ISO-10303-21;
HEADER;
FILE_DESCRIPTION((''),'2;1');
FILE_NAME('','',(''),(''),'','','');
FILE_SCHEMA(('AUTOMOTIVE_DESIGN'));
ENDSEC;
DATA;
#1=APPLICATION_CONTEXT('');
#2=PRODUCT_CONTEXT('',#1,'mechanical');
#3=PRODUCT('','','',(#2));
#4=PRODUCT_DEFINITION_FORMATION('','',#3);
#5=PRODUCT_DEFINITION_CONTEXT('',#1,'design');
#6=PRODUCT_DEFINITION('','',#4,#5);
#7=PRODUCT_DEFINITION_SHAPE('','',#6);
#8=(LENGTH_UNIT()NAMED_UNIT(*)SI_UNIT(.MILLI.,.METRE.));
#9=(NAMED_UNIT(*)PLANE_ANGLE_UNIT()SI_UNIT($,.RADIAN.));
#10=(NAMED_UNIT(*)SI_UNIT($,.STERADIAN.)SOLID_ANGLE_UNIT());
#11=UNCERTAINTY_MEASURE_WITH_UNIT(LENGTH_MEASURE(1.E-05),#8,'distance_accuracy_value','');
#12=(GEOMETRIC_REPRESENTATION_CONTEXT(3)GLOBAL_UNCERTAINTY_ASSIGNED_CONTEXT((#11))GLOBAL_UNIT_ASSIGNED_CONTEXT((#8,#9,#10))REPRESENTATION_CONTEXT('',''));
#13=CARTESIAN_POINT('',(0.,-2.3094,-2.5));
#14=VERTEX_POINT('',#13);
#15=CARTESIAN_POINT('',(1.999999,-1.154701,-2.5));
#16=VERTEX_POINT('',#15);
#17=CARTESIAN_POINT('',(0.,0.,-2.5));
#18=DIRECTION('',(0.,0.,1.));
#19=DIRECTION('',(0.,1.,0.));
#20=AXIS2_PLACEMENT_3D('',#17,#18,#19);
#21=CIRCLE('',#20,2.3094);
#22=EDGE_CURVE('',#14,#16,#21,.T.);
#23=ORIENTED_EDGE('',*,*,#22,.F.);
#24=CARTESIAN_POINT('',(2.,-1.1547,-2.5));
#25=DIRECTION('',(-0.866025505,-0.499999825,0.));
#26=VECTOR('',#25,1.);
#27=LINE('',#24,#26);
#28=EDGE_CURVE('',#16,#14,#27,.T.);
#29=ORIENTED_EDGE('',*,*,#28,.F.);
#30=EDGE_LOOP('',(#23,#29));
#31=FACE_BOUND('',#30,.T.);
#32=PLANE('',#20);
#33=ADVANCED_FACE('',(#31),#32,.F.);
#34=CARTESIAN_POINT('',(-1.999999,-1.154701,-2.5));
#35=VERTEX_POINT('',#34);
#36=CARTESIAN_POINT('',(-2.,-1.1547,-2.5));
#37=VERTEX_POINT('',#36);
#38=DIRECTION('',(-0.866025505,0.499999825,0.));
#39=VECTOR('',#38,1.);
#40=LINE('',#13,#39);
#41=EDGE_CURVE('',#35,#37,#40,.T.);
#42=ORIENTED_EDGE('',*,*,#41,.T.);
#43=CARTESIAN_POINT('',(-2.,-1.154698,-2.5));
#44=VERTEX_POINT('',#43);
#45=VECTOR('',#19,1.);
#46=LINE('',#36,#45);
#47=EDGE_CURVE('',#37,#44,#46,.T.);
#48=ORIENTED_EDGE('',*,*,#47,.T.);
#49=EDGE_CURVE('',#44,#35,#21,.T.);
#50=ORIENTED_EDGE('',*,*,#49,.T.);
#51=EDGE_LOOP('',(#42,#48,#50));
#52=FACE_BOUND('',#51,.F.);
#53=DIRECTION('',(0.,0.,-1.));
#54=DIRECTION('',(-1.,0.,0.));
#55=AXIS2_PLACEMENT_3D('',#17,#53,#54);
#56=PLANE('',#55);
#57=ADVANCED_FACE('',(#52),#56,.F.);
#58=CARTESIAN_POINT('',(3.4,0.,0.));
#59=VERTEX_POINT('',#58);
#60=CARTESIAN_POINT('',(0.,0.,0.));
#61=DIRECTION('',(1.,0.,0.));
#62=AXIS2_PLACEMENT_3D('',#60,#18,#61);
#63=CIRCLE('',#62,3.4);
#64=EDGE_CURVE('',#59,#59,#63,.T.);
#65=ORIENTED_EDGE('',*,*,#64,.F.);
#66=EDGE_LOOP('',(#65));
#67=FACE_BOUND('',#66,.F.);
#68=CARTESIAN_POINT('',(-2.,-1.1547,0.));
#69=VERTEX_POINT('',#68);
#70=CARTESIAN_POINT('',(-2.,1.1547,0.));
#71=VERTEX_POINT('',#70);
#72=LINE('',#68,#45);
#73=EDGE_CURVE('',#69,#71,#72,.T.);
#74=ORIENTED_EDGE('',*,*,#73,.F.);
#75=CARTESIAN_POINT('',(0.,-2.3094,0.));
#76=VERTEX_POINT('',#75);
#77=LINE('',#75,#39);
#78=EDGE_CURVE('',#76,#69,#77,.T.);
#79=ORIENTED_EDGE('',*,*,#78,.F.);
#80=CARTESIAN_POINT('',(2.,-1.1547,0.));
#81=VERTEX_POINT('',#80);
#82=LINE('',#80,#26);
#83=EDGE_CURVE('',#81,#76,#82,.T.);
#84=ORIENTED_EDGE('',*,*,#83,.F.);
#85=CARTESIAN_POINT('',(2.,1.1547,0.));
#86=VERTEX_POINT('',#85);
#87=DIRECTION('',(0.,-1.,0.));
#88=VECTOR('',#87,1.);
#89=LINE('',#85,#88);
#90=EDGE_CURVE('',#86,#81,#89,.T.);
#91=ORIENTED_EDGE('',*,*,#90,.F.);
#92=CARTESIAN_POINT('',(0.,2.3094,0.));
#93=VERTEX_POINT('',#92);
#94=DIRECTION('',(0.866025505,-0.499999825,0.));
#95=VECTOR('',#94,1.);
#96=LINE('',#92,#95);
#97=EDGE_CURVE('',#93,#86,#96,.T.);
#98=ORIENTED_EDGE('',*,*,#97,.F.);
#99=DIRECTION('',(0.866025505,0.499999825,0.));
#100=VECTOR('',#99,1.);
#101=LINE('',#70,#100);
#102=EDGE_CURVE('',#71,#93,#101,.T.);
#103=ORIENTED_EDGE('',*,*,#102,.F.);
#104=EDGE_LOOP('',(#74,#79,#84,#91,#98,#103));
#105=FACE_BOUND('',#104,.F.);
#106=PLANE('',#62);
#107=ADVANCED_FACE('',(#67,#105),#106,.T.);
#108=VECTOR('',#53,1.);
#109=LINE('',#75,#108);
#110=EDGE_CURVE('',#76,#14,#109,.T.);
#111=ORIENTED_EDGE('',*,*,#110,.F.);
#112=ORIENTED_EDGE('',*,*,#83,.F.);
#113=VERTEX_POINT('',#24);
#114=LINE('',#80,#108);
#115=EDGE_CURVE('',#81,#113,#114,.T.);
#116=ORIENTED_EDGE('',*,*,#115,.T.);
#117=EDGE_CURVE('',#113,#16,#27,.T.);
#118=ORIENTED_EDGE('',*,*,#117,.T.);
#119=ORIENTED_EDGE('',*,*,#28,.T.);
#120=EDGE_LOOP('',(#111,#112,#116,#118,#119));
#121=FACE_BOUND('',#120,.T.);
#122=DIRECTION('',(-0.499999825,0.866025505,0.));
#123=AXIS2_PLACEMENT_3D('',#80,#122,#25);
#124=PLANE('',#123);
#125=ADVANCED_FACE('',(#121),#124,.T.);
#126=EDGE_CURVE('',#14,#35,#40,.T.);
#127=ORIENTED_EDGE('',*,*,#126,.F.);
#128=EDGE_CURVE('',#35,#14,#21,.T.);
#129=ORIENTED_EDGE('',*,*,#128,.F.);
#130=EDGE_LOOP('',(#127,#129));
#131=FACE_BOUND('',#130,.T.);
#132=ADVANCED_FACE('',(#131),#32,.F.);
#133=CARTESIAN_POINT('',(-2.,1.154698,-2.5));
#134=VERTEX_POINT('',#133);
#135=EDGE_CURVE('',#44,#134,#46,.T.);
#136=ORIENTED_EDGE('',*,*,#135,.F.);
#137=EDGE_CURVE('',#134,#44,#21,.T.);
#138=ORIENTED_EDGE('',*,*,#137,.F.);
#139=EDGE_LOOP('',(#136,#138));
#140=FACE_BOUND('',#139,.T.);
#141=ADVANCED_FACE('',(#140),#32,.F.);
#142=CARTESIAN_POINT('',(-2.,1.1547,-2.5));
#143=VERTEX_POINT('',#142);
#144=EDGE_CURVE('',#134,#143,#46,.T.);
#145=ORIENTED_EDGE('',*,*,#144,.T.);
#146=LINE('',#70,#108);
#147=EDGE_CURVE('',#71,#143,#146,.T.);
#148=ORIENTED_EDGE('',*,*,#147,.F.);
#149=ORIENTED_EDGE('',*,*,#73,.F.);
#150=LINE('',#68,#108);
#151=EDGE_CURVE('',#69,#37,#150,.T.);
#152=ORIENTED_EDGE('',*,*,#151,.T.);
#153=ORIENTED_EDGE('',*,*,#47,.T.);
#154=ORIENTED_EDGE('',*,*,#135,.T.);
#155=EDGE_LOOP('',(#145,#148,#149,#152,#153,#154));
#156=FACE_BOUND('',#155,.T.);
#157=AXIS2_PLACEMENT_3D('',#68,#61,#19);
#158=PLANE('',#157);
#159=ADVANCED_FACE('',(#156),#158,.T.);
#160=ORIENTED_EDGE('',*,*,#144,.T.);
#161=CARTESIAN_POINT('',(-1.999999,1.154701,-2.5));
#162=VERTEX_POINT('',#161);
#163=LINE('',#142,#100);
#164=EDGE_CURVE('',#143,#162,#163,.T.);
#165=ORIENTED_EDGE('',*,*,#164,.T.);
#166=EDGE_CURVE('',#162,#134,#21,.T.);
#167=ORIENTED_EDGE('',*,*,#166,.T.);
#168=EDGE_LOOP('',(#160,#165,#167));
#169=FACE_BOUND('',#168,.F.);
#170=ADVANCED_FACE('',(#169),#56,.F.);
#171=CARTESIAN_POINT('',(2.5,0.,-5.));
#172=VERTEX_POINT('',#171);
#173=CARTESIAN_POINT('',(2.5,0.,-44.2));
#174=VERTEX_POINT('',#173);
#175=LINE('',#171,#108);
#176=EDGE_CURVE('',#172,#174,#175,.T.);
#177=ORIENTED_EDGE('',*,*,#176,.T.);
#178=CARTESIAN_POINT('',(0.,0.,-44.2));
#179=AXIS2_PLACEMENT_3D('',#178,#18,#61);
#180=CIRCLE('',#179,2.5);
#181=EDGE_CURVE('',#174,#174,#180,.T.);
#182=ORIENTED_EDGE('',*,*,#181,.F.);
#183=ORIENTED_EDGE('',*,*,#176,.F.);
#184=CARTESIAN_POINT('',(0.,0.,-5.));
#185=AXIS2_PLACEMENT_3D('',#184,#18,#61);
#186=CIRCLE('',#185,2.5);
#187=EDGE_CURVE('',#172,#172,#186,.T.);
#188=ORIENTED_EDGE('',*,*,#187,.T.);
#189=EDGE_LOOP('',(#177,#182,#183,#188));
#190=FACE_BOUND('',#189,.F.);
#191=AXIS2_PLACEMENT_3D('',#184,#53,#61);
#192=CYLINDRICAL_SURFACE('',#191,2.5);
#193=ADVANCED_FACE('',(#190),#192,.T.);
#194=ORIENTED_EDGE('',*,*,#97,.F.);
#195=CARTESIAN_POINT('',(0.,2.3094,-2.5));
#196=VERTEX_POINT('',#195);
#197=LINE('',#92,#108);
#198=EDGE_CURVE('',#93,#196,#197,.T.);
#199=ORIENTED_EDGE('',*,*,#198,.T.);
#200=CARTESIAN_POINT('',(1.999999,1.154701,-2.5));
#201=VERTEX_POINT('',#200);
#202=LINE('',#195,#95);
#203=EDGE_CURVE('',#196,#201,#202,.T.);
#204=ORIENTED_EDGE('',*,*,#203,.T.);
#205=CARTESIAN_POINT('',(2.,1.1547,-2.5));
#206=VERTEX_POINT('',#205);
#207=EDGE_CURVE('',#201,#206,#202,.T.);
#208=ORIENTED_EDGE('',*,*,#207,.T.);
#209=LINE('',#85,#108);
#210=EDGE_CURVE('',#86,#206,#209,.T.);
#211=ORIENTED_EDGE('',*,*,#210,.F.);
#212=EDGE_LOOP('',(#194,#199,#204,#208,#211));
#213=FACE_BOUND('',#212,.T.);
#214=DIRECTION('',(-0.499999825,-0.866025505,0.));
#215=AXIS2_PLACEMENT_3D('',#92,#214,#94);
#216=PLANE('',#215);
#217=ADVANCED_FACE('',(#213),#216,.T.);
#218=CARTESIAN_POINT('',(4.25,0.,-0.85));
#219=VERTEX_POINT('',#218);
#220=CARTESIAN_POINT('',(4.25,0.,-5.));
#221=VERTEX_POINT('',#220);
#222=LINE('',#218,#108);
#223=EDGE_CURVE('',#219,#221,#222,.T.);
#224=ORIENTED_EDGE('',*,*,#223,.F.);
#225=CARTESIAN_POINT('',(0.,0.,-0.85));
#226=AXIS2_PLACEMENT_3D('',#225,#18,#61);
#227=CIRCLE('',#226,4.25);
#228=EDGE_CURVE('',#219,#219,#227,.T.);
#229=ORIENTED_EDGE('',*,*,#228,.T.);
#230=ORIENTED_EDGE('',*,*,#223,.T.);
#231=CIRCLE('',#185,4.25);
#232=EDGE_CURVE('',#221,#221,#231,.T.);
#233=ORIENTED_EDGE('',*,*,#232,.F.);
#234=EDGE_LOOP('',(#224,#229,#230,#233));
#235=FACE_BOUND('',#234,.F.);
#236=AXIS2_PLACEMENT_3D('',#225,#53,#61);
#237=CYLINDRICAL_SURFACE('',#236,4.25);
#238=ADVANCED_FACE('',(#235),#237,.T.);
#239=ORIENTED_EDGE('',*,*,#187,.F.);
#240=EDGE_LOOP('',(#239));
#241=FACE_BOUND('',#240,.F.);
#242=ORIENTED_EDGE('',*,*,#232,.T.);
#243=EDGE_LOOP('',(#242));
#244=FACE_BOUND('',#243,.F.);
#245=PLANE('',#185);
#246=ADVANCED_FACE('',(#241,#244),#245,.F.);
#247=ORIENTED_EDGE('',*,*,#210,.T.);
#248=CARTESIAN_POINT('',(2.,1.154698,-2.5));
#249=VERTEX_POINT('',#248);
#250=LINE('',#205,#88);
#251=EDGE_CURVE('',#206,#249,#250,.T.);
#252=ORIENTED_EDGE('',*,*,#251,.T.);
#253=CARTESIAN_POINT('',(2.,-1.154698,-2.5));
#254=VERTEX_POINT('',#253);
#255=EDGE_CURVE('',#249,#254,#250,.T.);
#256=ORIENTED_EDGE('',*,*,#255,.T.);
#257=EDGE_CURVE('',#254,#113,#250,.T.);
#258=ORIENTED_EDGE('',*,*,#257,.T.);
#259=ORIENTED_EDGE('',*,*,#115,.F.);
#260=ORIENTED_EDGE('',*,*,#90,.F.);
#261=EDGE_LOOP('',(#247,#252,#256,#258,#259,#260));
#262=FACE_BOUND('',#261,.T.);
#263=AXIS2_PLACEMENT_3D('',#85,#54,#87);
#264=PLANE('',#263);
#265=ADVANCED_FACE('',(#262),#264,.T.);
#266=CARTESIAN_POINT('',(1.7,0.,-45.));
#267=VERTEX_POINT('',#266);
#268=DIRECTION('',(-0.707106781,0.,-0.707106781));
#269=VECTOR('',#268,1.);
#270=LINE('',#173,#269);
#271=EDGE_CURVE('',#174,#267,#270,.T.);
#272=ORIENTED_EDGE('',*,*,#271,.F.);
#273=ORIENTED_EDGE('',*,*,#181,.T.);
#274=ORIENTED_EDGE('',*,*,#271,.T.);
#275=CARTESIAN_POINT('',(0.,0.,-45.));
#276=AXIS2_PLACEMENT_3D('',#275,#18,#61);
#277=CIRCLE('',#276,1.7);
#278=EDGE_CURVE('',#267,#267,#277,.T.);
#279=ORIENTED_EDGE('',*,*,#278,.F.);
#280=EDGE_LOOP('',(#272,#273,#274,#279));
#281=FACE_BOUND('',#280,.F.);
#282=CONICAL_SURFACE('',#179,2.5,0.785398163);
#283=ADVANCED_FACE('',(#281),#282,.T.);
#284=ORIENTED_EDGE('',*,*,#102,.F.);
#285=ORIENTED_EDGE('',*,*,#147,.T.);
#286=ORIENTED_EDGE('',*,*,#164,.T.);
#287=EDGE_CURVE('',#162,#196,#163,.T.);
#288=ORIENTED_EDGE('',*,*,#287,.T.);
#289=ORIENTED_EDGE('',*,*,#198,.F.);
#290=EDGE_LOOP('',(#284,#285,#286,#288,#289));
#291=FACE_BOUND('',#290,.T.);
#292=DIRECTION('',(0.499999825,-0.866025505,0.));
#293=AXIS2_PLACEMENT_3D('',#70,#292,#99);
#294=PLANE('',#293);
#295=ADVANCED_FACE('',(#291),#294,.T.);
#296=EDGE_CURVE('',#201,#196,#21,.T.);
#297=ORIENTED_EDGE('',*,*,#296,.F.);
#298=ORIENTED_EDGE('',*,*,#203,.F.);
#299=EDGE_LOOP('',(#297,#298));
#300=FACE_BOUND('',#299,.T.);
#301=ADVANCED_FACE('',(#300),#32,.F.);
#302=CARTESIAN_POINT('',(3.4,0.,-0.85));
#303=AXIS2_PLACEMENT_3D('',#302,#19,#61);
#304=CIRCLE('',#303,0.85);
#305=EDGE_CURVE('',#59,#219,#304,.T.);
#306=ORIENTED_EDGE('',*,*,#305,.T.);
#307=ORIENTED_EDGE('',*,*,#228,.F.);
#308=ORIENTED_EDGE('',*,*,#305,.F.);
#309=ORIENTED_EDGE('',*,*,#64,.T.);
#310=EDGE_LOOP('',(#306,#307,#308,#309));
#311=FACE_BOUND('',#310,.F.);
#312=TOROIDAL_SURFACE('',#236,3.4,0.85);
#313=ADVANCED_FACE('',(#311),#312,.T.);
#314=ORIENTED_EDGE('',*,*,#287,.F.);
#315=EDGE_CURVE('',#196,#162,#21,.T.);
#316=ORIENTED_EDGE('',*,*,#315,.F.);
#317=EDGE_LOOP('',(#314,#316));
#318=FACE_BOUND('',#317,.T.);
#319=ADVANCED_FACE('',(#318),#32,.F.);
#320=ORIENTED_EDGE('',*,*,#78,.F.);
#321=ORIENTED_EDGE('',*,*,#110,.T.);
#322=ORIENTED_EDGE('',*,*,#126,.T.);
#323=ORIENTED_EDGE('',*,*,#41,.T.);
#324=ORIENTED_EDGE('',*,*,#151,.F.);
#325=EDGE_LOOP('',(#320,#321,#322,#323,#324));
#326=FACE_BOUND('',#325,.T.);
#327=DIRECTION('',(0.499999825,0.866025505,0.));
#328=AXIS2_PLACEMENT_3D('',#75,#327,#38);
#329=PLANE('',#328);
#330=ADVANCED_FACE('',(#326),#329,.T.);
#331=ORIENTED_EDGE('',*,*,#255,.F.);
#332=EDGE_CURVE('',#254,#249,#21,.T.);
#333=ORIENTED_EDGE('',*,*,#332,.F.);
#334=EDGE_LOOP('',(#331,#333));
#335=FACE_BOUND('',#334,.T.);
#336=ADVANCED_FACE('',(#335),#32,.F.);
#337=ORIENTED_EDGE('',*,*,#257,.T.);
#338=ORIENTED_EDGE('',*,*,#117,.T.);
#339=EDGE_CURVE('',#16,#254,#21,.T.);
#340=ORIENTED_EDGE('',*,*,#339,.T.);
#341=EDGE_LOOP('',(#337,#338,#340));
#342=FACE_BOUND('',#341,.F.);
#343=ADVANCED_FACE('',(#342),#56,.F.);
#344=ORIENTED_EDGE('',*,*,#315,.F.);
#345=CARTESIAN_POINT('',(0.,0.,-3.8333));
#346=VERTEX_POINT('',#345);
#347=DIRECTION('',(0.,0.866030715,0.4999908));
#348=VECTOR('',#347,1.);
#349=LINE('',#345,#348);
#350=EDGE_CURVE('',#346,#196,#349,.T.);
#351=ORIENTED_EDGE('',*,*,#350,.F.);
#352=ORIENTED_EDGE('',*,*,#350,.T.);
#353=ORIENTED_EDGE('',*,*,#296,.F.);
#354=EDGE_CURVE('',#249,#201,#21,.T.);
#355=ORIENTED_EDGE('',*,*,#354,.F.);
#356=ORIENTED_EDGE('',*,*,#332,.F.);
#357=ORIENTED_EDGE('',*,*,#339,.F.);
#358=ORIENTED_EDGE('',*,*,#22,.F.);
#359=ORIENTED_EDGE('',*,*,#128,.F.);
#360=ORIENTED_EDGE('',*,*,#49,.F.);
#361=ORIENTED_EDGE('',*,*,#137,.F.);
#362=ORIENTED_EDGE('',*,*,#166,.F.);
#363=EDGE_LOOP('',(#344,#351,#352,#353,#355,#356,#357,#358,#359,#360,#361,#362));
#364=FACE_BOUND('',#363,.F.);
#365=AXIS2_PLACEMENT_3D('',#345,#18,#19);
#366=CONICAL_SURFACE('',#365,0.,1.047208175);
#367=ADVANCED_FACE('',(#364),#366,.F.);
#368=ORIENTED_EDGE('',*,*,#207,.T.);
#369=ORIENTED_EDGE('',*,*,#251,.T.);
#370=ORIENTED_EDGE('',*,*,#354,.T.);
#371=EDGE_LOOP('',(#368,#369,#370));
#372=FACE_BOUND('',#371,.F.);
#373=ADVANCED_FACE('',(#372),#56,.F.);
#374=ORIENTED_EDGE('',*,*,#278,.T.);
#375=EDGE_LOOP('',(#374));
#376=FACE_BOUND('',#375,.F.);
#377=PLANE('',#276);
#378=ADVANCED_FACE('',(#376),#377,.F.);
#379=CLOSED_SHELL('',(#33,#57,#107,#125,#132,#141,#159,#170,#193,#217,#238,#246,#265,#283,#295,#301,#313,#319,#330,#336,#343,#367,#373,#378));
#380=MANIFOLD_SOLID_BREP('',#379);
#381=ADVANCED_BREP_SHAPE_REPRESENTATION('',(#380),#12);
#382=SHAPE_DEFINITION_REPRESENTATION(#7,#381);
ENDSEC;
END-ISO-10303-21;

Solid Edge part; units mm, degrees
sketch "Sketch1" plane through (0, 0, 0) normal (0, -1, 0) x (1, 0, 0)
  line L0 (0, 0) -> (3.4, 0)
  arc A0 (3.4, 0) -> (4.25, -0.85) centre (3.4, -0.85) cw
  line L1 (4.25, -0.85) -> (4.25, -5)
  line L2 (4.25, -5) -> (2.5, -5)
  line L3 (2.5, -5) -> (2.5, -44.2)
  line L4 (2.5, -44.2) -> (1.7, -45)
  line L5 (1.7, -45) -> (0, -45)
revolve "RevolvedProtrusion1" add sketch "Sketch1" angle 360 about axis through (0, 0, -45) along (0, 0, 1)
sketch "Sketch2" plane through (0, 0, 0) normal (0, 0, 1) x (1, 0, 0)
  line L0 (-2, -1.1547) -> (-2, 1.1547)
  line L1 (-2, 1.1547) -> (0, 2.3094)
  line L2 (0, 2.3094) -> (2, 1.1547)
  line L3 (2, 1.1547) -> (2, -1.1547)
  line L4 (2, -1.1547) -> (0, -2.3094)
  line L5 (0, -2.3094) -> (-2, -1.1547)
extrude "Cutout1" cut sketch "Sketch2" against normal blind 2.5
sketch "Sketch3" plane through (0, 0, 0) normal (1, 0, 0) x (0, 1, 0)
  line L0 (0, -3.8333) -> (2.3094, -2.5)
  line L1 (0, -2.5) -> (2.3094, -2.5)
  line L2 (0, -2.5) -> (0, -3.8333)
revolve "RevolvedCutout1" cut sketch "Sketch3" angle 360 about axis through (0, 0, -60.325) along (0, 0, 1)
cosmetic_thread "Thread1" size "M5"
properties part number "18"
